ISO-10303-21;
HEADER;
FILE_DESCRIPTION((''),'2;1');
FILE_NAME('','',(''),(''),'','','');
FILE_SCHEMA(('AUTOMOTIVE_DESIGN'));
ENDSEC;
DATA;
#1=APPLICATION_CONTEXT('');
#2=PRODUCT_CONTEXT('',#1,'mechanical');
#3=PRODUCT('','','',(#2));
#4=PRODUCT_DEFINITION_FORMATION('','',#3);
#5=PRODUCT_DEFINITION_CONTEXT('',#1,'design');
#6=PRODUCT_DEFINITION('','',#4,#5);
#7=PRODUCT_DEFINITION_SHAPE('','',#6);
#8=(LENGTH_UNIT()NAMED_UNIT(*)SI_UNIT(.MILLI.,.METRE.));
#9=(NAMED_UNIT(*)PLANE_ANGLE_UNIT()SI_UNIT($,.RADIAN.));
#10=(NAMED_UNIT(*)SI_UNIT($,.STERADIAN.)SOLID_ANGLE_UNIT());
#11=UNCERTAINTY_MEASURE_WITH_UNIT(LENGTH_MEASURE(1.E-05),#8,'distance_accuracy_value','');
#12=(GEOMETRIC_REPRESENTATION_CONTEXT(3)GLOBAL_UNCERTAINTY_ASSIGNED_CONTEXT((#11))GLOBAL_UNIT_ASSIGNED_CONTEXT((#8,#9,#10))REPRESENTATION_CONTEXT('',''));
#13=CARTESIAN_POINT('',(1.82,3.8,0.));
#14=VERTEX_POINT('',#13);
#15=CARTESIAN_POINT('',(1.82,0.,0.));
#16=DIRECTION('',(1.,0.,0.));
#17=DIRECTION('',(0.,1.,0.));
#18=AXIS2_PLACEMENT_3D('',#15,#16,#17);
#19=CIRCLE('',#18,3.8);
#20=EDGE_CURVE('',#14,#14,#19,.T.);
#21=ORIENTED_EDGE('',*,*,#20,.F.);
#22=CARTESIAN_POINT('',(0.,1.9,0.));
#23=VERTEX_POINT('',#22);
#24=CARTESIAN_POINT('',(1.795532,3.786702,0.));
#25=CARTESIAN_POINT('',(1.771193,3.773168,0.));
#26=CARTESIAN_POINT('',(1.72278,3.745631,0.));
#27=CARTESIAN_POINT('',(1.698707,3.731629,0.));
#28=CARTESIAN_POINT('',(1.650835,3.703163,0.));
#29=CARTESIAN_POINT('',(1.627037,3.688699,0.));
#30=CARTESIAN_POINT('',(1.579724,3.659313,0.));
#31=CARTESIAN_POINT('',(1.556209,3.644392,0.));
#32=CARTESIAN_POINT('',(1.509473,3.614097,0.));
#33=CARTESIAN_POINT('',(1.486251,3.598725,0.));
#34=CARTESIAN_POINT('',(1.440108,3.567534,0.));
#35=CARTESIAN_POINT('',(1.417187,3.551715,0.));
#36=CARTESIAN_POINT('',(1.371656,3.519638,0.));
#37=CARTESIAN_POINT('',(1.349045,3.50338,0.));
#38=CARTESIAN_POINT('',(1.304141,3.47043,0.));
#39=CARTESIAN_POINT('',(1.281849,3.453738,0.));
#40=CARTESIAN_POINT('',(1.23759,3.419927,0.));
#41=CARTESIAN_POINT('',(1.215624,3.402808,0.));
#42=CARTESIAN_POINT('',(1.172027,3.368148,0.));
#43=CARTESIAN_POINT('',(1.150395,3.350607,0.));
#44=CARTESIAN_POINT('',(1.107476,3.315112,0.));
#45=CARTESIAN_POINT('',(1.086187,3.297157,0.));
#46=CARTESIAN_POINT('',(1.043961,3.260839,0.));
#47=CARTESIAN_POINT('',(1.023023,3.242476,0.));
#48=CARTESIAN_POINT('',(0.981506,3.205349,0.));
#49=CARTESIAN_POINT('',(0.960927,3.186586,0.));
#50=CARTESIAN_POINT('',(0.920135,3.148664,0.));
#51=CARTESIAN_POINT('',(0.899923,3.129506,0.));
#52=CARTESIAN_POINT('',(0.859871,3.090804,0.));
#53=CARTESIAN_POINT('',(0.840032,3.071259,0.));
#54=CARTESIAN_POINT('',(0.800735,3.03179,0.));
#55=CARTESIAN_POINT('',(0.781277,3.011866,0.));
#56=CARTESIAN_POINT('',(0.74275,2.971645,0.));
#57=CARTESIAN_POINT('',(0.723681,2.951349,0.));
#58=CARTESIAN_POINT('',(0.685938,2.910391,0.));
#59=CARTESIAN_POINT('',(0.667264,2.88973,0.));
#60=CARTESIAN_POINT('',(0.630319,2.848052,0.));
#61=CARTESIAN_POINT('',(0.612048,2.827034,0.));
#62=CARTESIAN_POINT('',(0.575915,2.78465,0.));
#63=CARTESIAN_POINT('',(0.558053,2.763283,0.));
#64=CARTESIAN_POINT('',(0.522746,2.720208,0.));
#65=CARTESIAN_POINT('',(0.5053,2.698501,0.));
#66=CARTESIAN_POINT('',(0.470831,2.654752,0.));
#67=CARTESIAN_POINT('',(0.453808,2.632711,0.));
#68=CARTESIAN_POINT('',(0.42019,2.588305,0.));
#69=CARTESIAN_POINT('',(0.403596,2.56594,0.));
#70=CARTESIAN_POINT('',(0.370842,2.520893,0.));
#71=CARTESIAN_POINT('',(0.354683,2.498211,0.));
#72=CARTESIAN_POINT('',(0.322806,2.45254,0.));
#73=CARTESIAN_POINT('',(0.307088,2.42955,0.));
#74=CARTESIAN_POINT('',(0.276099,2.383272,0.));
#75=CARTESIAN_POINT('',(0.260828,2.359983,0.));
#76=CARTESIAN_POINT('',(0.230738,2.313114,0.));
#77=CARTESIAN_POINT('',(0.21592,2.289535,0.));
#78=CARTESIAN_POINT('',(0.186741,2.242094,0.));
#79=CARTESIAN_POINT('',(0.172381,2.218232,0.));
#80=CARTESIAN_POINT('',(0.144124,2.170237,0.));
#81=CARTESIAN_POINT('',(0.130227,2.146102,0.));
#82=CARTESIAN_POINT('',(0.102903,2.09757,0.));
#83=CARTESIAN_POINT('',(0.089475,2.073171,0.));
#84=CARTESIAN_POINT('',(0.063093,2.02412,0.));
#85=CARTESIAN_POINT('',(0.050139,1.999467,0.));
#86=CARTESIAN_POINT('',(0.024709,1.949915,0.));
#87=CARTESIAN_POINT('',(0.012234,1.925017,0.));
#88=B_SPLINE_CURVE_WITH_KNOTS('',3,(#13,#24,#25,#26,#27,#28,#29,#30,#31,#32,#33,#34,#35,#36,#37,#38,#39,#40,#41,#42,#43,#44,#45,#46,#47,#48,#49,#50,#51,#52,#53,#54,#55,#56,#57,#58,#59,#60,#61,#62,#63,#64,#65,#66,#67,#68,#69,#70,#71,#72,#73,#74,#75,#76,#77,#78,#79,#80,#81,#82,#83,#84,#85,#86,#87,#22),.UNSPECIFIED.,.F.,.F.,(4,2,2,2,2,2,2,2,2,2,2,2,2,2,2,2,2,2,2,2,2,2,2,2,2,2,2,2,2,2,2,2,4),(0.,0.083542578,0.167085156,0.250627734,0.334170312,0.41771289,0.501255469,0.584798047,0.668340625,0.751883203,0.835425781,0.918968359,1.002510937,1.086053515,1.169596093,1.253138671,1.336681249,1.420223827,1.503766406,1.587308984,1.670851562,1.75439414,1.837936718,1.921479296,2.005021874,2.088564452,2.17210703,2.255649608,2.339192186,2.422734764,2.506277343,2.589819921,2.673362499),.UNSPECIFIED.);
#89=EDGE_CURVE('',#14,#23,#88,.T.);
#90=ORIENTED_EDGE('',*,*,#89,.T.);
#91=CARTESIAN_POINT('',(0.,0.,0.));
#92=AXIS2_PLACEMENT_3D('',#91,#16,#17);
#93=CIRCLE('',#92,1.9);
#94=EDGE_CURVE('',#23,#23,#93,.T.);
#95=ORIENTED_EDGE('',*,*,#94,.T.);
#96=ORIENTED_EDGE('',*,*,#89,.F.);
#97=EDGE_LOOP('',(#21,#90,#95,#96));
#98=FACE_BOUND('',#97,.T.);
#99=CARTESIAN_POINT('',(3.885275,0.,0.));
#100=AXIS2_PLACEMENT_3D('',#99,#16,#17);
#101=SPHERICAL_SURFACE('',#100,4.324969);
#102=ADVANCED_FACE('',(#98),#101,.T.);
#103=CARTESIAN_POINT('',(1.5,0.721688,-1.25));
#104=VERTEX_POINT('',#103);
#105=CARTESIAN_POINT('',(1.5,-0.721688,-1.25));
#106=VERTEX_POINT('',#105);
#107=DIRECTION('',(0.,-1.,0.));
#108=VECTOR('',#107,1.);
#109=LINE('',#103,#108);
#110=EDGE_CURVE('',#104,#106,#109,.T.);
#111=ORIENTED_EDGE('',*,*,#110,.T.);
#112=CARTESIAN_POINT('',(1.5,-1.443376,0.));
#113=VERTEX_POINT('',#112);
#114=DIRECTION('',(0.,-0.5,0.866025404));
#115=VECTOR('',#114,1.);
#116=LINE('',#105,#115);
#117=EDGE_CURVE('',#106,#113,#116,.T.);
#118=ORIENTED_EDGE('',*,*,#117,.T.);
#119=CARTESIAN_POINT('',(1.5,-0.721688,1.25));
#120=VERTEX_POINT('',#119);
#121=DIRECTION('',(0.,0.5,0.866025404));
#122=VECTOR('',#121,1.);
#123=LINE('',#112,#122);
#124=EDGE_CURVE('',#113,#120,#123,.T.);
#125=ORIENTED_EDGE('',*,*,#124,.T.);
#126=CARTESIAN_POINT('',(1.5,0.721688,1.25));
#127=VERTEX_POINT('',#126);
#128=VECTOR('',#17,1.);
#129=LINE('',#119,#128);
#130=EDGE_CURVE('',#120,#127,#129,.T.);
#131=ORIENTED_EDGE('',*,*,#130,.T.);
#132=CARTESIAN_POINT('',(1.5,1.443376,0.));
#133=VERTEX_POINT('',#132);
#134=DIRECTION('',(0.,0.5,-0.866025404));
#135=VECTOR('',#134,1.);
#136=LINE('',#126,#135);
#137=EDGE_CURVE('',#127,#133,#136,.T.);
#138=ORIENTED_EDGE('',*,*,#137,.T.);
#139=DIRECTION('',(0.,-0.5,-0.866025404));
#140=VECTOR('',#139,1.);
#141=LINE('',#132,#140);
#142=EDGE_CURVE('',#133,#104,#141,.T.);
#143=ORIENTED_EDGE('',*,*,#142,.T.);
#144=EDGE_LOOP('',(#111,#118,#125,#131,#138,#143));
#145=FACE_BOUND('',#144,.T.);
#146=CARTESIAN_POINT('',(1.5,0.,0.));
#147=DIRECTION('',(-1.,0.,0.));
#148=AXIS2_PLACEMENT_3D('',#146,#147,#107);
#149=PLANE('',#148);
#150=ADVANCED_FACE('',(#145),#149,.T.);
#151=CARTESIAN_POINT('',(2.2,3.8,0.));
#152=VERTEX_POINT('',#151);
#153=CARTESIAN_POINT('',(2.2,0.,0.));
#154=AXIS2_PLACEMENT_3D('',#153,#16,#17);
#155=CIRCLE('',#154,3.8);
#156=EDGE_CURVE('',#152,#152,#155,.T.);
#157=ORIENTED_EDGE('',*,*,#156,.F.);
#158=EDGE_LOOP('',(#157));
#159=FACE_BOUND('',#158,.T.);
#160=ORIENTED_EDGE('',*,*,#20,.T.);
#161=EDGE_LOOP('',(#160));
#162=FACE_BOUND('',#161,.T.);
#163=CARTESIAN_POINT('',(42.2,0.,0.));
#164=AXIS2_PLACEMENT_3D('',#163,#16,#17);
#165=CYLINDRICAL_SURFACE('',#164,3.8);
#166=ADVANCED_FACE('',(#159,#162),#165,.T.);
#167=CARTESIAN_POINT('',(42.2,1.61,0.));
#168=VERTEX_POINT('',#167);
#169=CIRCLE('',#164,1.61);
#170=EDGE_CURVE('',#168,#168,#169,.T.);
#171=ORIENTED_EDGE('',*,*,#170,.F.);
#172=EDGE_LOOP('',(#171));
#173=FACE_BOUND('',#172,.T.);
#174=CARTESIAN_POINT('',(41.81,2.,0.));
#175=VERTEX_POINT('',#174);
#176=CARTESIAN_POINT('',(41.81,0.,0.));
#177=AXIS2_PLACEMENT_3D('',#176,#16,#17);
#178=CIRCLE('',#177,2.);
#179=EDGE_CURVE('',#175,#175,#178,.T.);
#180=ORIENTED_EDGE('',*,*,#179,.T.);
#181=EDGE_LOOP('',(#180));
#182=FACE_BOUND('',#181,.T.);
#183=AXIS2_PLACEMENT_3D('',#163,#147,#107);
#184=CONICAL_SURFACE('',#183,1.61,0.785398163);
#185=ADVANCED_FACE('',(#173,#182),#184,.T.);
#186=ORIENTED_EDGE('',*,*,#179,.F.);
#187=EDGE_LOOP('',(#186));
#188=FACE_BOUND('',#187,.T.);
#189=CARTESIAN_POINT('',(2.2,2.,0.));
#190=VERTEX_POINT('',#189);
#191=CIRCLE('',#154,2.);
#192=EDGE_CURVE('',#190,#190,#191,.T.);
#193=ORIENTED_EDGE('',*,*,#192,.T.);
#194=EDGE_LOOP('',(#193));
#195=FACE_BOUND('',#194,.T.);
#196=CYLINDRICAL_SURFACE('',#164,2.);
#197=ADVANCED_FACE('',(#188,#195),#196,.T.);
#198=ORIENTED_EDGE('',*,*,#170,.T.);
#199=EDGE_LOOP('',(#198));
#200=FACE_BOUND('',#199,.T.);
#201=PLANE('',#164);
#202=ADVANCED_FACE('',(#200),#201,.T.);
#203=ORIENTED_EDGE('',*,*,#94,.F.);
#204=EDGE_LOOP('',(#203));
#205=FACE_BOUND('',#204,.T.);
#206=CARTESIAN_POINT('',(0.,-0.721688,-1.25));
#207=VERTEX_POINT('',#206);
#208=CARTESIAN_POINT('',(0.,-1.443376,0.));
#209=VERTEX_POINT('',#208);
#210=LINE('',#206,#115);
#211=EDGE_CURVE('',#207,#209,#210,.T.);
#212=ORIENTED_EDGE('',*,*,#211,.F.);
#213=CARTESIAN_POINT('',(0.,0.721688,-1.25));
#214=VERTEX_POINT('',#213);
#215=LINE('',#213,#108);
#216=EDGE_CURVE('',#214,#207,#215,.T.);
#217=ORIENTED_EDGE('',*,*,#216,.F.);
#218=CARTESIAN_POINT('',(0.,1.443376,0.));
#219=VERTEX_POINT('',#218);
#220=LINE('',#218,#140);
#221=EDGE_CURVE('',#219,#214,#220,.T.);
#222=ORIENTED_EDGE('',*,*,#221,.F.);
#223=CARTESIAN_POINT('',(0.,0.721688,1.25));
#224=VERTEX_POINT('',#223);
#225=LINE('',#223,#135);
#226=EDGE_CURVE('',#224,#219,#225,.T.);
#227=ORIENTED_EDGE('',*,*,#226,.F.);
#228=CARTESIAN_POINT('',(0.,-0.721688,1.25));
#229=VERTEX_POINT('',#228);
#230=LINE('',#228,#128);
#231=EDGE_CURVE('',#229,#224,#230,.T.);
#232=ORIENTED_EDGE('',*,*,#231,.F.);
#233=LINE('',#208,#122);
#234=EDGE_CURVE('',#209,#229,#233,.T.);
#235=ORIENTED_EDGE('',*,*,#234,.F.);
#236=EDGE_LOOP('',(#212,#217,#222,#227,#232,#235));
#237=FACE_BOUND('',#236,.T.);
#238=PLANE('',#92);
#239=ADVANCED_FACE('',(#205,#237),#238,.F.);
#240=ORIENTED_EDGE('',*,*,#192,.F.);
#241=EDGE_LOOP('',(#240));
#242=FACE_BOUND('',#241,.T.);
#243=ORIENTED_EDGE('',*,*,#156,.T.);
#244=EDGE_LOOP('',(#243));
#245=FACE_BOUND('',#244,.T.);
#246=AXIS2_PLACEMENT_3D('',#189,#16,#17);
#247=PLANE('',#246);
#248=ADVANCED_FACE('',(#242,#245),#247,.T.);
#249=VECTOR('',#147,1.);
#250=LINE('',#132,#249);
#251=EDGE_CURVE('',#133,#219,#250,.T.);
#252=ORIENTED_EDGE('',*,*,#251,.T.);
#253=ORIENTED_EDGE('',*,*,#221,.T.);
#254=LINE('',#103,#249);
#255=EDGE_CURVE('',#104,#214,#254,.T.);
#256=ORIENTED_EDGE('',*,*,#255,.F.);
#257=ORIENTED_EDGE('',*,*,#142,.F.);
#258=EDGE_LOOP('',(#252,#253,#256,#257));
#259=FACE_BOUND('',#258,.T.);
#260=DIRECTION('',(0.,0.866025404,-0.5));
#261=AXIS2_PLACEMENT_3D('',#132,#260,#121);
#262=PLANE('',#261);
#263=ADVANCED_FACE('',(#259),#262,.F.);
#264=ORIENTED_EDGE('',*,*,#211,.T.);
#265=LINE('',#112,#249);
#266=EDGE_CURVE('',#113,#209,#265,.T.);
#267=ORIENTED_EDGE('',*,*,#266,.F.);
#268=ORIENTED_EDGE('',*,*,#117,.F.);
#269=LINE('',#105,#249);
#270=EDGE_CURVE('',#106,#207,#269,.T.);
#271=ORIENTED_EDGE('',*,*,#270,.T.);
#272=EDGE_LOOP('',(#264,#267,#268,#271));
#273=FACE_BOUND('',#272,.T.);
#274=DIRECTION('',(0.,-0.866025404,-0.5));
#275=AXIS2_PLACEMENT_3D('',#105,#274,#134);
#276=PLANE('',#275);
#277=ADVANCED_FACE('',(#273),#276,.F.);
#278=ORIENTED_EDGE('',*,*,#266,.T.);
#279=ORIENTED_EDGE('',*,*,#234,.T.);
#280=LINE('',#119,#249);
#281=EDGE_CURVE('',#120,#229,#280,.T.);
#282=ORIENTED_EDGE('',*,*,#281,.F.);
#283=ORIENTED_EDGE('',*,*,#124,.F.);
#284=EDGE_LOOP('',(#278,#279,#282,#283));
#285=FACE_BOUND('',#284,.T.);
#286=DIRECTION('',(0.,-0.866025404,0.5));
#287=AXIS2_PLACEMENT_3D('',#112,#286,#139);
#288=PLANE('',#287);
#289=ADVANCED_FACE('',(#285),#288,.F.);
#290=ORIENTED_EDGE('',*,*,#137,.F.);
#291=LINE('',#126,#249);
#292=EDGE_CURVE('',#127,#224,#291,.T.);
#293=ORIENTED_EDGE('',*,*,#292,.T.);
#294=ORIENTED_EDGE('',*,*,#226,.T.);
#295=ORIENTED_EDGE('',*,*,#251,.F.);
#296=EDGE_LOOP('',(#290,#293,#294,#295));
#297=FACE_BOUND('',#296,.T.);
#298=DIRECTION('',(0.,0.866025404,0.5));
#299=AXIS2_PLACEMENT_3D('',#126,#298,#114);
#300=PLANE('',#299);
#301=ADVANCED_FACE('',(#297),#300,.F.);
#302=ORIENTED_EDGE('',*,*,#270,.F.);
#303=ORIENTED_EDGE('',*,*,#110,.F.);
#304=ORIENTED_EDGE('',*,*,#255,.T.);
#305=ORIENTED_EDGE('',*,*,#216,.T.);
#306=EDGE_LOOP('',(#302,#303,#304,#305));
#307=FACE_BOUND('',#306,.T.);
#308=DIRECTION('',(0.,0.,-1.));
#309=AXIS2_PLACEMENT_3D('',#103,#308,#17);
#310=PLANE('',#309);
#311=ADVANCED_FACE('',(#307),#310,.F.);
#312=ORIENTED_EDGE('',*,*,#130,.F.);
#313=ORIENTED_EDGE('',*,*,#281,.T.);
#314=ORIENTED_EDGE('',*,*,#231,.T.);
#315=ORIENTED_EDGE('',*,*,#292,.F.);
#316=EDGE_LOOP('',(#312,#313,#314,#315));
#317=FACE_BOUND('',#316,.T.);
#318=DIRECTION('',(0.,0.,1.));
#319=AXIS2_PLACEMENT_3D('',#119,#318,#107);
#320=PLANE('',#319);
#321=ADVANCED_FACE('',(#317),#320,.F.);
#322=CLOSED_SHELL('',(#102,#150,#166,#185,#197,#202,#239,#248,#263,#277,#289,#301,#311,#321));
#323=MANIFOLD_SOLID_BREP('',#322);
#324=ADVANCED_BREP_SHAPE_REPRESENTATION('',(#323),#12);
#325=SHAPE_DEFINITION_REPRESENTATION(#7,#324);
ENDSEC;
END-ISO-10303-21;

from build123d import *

# Parameters (mm, degrees)
CUT_EXTRUDE1_DEPTH = 1.5


with BuildPart() as part:
    # Sketch1 → Revolve1 (revolve)
    with BuildSketch(Plane.XY):
        with BuildLine():
            Line((42.2, 0), (42.2, 1.61))
            Line((42.2, 1.61), (41.81, 2))
            Line((41.81, 2), (2.2, 2))
            Line((2.2, 2), (2.2, 3.8))
            Line((2.2, 3.8), (1.82, 3.8))
            ThreePointArc((1.82, 3.8), (0.762013659, 2.991755338), (0, 1.9))
            Line((0, 1.9), (0, 0))
            Line((0, 0), (42.2, 0))
        make_face()
    revolve(axis=Axis((42.2, 0, 0), (-1, 0, 0)))

    # Sketch2 → Cut-Extrude1 (cut)
    with BuildSketch(Plane.ZY):
        Polygon((-1.25, 0.721687836), (-1.25, -0.721687836), (0, -1.443375673), (1.25, -0.721687836), (1.25, 0.721687836), (0, 1.443375673), align=None)
    extrude(amount=-CUT_EXTRUDE1_DEPTH, mode=Mode.SUBTRACT)


solid = part.part
